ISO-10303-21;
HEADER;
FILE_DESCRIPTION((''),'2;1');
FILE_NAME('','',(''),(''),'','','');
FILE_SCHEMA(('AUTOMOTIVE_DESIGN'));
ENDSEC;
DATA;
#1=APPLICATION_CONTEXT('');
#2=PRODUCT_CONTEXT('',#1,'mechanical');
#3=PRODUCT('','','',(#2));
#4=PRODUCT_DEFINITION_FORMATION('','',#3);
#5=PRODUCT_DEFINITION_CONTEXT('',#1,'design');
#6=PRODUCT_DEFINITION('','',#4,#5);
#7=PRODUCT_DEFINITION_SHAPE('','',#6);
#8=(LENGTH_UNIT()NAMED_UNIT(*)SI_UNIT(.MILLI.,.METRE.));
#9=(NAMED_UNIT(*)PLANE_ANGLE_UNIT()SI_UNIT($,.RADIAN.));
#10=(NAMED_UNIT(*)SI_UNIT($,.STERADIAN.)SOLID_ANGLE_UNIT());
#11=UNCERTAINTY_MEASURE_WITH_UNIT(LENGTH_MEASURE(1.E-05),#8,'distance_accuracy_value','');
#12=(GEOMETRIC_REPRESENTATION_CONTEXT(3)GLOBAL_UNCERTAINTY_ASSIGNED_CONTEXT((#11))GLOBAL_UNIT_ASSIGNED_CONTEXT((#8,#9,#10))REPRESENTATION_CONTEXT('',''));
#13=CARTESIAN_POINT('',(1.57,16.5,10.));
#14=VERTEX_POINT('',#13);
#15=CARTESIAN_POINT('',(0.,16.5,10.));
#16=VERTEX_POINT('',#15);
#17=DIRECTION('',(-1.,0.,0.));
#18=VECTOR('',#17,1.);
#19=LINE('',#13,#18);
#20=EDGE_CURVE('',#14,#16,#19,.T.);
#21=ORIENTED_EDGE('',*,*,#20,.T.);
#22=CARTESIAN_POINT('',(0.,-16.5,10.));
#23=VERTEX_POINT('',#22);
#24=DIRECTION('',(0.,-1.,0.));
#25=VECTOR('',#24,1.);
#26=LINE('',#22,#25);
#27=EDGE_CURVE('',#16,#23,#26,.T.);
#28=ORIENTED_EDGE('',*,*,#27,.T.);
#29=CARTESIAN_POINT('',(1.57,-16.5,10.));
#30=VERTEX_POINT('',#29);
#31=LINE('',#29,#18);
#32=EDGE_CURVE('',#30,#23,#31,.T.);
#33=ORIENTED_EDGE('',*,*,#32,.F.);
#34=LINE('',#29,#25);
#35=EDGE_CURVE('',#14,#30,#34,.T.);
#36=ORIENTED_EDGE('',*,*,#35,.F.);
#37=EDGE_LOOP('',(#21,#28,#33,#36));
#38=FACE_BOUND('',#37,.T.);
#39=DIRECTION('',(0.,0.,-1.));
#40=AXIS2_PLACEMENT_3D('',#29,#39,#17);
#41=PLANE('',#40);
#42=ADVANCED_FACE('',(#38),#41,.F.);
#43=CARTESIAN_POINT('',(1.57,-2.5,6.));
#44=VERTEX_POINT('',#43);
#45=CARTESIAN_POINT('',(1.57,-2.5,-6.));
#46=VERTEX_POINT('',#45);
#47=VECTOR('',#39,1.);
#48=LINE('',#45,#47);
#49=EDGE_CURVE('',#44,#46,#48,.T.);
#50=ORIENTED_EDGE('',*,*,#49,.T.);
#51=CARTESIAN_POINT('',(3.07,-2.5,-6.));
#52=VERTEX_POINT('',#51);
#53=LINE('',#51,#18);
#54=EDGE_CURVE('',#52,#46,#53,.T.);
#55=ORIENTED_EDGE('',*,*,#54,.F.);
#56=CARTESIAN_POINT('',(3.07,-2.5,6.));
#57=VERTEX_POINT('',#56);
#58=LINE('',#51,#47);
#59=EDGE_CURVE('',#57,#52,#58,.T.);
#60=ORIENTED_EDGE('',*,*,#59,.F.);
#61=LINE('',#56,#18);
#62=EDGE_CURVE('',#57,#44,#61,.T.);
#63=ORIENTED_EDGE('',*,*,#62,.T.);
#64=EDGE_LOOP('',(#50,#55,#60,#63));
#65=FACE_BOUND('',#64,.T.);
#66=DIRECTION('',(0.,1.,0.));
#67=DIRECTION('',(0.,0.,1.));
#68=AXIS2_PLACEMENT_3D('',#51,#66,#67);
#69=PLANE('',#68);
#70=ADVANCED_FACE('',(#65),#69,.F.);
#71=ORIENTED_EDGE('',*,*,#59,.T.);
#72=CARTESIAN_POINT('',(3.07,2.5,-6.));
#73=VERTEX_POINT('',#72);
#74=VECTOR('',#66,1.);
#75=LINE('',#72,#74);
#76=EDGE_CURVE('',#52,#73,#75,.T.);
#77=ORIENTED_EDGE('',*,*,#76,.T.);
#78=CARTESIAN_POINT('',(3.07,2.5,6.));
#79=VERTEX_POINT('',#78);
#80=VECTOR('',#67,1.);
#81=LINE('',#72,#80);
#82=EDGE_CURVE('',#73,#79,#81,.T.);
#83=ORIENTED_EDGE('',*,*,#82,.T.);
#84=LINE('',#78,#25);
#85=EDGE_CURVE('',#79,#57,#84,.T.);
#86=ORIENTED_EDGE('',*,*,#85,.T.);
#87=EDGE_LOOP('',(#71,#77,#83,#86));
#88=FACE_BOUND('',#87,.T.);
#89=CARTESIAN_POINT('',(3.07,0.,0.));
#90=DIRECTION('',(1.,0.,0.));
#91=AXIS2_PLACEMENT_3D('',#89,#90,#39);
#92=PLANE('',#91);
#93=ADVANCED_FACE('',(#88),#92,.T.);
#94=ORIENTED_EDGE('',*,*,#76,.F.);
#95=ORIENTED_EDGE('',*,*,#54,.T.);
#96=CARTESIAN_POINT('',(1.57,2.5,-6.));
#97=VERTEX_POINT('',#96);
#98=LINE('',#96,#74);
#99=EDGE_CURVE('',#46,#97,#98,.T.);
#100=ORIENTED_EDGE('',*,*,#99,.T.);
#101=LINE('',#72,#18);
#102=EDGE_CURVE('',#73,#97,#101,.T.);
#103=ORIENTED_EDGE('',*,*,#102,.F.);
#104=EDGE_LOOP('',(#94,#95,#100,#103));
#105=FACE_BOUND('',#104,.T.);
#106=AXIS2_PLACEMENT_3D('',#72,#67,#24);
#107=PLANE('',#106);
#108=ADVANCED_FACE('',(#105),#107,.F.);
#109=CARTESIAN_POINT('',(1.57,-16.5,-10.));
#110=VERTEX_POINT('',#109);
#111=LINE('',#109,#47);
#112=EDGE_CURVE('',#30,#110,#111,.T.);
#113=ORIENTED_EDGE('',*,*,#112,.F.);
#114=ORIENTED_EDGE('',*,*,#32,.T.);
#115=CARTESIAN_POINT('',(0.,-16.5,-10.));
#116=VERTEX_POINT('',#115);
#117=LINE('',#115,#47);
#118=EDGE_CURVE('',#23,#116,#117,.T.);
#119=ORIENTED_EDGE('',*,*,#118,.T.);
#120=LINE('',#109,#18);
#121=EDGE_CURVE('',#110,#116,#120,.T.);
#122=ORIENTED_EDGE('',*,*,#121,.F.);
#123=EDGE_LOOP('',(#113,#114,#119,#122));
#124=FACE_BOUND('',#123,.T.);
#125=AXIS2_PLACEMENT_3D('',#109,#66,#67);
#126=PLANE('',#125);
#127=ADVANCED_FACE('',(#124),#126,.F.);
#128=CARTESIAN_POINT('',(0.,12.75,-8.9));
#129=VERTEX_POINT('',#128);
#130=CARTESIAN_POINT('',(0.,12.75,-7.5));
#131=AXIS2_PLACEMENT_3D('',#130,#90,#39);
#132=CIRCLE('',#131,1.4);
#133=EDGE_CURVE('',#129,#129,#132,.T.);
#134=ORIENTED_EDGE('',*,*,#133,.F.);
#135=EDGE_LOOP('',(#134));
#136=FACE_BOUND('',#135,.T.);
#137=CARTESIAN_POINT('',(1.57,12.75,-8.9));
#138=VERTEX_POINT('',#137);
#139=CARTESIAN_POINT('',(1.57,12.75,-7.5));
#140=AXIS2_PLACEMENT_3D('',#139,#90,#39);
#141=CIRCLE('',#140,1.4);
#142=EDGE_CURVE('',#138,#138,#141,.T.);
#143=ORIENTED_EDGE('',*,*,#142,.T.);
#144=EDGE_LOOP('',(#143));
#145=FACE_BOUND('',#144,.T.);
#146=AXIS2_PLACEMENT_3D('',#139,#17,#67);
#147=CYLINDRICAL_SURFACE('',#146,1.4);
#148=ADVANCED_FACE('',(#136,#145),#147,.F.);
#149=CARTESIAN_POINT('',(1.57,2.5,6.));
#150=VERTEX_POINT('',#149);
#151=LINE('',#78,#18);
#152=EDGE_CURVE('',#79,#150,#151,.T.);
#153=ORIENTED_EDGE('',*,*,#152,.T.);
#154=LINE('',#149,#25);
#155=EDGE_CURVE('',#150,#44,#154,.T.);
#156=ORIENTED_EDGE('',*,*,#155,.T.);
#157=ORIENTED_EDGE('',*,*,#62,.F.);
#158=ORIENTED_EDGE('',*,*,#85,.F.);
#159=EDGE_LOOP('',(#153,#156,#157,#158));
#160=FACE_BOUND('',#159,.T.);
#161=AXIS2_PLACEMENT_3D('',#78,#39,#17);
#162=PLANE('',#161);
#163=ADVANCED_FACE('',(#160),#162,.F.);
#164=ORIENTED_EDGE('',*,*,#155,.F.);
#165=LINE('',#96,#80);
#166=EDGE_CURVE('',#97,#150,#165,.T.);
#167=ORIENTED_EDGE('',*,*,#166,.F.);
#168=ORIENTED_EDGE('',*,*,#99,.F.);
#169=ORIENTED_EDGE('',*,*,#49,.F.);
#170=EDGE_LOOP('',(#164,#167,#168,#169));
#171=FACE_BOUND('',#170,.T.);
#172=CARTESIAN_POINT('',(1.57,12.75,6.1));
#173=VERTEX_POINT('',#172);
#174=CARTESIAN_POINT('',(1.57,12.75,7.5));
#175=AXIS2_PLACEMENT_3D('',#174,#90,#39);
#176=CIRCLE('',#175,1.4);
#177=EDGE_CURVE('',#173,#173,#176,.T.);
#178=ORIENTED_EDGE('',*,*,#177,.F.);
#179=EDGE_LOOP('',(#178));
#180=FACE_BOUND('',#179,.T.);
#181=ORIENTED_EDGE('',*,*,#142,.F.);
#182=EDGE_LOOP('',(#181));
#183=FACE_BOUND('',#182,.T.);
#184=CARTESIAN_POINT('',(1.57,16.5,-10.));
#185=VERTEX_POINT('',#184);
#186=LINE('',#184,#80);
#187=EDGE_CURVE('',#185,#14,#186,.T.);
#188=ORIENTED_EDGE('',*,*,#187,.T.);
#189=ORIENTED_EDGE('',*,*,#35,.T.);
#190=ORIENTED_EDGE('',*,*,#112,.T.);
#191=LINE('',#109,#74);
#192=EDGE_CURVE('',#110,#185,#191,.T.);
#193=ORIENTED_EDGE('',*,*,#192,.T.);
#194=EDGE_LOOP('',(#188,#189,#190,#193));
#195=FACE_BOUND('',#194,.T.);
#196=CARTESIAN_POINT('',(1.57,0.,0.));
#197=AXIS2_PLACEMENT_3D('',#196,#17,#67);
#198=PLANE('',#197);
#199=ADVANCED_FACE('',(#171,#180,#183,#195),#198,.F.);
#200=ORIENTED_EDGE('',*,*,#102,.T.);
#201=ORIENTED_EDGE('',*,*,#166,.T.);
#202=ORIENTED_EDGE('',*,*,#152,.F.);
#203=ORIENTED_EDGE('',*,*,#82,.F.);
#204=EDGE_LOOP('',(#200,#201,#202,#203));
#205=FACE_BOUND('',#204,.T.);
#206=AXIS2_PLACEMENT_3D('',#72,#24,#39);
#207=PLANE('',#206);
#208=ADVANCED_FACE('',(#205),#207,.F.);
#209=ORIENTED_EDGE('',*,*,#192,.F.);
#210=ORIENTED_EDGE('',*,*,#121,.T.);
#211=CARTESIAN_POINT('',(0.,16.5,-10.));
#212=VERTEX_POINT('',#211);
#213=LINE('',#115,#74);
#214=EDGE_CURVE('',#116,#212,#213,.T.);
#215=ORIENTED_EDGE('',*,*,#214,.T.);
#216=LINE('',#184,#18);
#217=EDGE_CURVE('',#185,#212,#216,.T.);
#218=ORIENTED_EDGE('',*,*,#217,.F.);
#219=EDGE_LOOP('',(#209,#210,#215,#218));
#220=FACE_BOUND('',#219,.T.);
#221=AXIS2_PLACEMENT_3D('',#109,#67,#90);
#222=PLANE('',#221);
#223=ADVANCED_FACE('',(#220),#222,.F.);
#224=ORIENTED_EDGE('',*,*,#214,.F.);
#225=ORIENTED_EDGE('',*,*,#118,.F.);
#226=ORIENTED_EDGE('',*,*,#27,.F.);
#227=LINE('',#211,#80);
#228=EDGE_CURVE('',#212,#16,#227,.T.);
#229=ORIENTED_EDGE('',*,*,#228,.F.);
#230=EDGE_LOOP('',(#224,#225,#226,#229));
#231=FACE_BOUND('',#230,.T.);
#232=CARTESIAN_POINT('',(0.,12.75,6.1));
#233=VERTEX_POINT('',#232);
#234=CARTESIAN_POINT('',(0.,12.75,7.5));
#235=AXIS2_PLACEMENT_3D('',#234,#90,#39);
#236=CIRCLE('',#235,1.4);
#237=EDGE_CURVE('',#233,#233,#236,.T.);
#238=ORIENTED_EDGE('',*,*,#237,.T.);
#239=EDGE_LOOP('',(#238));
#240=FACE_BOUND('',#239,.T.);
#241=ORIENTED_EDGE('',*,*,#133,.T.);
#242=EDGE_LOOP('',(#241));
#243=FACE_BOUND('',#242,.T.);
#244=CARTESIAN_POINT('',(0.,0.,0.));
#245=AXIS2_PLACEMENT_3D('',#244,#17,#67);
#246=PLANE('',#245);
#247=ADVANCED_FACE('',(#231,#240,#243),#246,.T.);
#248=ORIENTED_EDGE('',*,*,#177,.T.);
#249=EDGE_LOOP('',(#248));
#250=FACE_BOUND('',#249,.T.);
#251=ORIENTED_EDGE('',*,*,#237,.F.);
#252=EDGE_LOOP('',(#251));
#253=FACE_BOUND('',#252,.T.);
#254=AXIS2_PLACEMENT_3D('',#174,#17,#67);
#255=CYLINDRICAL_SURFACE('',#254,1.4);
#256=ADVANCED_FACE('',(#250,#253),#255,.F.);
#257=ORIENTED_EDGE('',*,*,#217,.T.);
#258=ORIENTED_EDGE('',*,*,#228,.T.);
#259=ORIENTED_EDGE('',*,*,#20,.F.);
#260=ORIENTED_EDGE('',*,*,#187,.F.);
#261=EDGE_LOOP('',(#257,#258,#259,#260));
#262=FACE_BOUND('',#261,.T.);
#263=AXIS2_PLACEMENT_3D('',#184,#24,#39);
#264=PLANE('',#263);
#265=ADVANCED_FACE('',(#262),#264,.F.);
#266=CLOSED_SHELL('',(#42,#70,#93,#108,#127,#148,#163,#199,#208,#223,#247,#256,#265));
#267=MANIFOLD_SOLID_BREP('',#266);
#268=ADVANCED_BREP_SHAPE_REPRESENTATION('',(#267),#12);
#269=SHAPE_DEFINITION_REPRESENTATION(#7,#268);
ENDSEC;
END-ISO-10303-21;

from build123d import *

# Parameters (mm, degrees)
SKETCH1_W           = 33
SKETCH1_H           = 20
SKETCH1_R           = 1.4
BOSS_EXTRUDE1_DEPTH = 1.57
SKETCH2_W           = 5
SKETCH2_H           = 12
BOSS_EXTRUDE2_DEPTH = 1.5


with BuildPart() as part:
    # Sketch1 → Boss-Extrude1 (new body)
    with BuildSketch(Plane.YZ):
        Rectangle(SKETCH1_W, SKETCH1_H)
        with Locations(Location((12.75, 7.5, 0), (0, 0, 270))):
            Circle(SKETCH1_R, mode=Mode.SUBTRACT)
        with Locations(Location((12.75, -7.5, 0), (0, 0, 270))):
            Circle(SKETCH1_R, mode=Mode.SUBTRACT)
    extrude(amount=BOSS_EXTRUDE1_DEPTH)

    # Sketch2 → Boss-Extrude2 (add)
    with BuildSketch(Plane.YZ.offset(1.57)):
        Rectangle(SKETCH2_W, SKETCH2_H)
    extrude(amount=BOSS_EXTRUDE2_DEPTH)


solid = part.part
